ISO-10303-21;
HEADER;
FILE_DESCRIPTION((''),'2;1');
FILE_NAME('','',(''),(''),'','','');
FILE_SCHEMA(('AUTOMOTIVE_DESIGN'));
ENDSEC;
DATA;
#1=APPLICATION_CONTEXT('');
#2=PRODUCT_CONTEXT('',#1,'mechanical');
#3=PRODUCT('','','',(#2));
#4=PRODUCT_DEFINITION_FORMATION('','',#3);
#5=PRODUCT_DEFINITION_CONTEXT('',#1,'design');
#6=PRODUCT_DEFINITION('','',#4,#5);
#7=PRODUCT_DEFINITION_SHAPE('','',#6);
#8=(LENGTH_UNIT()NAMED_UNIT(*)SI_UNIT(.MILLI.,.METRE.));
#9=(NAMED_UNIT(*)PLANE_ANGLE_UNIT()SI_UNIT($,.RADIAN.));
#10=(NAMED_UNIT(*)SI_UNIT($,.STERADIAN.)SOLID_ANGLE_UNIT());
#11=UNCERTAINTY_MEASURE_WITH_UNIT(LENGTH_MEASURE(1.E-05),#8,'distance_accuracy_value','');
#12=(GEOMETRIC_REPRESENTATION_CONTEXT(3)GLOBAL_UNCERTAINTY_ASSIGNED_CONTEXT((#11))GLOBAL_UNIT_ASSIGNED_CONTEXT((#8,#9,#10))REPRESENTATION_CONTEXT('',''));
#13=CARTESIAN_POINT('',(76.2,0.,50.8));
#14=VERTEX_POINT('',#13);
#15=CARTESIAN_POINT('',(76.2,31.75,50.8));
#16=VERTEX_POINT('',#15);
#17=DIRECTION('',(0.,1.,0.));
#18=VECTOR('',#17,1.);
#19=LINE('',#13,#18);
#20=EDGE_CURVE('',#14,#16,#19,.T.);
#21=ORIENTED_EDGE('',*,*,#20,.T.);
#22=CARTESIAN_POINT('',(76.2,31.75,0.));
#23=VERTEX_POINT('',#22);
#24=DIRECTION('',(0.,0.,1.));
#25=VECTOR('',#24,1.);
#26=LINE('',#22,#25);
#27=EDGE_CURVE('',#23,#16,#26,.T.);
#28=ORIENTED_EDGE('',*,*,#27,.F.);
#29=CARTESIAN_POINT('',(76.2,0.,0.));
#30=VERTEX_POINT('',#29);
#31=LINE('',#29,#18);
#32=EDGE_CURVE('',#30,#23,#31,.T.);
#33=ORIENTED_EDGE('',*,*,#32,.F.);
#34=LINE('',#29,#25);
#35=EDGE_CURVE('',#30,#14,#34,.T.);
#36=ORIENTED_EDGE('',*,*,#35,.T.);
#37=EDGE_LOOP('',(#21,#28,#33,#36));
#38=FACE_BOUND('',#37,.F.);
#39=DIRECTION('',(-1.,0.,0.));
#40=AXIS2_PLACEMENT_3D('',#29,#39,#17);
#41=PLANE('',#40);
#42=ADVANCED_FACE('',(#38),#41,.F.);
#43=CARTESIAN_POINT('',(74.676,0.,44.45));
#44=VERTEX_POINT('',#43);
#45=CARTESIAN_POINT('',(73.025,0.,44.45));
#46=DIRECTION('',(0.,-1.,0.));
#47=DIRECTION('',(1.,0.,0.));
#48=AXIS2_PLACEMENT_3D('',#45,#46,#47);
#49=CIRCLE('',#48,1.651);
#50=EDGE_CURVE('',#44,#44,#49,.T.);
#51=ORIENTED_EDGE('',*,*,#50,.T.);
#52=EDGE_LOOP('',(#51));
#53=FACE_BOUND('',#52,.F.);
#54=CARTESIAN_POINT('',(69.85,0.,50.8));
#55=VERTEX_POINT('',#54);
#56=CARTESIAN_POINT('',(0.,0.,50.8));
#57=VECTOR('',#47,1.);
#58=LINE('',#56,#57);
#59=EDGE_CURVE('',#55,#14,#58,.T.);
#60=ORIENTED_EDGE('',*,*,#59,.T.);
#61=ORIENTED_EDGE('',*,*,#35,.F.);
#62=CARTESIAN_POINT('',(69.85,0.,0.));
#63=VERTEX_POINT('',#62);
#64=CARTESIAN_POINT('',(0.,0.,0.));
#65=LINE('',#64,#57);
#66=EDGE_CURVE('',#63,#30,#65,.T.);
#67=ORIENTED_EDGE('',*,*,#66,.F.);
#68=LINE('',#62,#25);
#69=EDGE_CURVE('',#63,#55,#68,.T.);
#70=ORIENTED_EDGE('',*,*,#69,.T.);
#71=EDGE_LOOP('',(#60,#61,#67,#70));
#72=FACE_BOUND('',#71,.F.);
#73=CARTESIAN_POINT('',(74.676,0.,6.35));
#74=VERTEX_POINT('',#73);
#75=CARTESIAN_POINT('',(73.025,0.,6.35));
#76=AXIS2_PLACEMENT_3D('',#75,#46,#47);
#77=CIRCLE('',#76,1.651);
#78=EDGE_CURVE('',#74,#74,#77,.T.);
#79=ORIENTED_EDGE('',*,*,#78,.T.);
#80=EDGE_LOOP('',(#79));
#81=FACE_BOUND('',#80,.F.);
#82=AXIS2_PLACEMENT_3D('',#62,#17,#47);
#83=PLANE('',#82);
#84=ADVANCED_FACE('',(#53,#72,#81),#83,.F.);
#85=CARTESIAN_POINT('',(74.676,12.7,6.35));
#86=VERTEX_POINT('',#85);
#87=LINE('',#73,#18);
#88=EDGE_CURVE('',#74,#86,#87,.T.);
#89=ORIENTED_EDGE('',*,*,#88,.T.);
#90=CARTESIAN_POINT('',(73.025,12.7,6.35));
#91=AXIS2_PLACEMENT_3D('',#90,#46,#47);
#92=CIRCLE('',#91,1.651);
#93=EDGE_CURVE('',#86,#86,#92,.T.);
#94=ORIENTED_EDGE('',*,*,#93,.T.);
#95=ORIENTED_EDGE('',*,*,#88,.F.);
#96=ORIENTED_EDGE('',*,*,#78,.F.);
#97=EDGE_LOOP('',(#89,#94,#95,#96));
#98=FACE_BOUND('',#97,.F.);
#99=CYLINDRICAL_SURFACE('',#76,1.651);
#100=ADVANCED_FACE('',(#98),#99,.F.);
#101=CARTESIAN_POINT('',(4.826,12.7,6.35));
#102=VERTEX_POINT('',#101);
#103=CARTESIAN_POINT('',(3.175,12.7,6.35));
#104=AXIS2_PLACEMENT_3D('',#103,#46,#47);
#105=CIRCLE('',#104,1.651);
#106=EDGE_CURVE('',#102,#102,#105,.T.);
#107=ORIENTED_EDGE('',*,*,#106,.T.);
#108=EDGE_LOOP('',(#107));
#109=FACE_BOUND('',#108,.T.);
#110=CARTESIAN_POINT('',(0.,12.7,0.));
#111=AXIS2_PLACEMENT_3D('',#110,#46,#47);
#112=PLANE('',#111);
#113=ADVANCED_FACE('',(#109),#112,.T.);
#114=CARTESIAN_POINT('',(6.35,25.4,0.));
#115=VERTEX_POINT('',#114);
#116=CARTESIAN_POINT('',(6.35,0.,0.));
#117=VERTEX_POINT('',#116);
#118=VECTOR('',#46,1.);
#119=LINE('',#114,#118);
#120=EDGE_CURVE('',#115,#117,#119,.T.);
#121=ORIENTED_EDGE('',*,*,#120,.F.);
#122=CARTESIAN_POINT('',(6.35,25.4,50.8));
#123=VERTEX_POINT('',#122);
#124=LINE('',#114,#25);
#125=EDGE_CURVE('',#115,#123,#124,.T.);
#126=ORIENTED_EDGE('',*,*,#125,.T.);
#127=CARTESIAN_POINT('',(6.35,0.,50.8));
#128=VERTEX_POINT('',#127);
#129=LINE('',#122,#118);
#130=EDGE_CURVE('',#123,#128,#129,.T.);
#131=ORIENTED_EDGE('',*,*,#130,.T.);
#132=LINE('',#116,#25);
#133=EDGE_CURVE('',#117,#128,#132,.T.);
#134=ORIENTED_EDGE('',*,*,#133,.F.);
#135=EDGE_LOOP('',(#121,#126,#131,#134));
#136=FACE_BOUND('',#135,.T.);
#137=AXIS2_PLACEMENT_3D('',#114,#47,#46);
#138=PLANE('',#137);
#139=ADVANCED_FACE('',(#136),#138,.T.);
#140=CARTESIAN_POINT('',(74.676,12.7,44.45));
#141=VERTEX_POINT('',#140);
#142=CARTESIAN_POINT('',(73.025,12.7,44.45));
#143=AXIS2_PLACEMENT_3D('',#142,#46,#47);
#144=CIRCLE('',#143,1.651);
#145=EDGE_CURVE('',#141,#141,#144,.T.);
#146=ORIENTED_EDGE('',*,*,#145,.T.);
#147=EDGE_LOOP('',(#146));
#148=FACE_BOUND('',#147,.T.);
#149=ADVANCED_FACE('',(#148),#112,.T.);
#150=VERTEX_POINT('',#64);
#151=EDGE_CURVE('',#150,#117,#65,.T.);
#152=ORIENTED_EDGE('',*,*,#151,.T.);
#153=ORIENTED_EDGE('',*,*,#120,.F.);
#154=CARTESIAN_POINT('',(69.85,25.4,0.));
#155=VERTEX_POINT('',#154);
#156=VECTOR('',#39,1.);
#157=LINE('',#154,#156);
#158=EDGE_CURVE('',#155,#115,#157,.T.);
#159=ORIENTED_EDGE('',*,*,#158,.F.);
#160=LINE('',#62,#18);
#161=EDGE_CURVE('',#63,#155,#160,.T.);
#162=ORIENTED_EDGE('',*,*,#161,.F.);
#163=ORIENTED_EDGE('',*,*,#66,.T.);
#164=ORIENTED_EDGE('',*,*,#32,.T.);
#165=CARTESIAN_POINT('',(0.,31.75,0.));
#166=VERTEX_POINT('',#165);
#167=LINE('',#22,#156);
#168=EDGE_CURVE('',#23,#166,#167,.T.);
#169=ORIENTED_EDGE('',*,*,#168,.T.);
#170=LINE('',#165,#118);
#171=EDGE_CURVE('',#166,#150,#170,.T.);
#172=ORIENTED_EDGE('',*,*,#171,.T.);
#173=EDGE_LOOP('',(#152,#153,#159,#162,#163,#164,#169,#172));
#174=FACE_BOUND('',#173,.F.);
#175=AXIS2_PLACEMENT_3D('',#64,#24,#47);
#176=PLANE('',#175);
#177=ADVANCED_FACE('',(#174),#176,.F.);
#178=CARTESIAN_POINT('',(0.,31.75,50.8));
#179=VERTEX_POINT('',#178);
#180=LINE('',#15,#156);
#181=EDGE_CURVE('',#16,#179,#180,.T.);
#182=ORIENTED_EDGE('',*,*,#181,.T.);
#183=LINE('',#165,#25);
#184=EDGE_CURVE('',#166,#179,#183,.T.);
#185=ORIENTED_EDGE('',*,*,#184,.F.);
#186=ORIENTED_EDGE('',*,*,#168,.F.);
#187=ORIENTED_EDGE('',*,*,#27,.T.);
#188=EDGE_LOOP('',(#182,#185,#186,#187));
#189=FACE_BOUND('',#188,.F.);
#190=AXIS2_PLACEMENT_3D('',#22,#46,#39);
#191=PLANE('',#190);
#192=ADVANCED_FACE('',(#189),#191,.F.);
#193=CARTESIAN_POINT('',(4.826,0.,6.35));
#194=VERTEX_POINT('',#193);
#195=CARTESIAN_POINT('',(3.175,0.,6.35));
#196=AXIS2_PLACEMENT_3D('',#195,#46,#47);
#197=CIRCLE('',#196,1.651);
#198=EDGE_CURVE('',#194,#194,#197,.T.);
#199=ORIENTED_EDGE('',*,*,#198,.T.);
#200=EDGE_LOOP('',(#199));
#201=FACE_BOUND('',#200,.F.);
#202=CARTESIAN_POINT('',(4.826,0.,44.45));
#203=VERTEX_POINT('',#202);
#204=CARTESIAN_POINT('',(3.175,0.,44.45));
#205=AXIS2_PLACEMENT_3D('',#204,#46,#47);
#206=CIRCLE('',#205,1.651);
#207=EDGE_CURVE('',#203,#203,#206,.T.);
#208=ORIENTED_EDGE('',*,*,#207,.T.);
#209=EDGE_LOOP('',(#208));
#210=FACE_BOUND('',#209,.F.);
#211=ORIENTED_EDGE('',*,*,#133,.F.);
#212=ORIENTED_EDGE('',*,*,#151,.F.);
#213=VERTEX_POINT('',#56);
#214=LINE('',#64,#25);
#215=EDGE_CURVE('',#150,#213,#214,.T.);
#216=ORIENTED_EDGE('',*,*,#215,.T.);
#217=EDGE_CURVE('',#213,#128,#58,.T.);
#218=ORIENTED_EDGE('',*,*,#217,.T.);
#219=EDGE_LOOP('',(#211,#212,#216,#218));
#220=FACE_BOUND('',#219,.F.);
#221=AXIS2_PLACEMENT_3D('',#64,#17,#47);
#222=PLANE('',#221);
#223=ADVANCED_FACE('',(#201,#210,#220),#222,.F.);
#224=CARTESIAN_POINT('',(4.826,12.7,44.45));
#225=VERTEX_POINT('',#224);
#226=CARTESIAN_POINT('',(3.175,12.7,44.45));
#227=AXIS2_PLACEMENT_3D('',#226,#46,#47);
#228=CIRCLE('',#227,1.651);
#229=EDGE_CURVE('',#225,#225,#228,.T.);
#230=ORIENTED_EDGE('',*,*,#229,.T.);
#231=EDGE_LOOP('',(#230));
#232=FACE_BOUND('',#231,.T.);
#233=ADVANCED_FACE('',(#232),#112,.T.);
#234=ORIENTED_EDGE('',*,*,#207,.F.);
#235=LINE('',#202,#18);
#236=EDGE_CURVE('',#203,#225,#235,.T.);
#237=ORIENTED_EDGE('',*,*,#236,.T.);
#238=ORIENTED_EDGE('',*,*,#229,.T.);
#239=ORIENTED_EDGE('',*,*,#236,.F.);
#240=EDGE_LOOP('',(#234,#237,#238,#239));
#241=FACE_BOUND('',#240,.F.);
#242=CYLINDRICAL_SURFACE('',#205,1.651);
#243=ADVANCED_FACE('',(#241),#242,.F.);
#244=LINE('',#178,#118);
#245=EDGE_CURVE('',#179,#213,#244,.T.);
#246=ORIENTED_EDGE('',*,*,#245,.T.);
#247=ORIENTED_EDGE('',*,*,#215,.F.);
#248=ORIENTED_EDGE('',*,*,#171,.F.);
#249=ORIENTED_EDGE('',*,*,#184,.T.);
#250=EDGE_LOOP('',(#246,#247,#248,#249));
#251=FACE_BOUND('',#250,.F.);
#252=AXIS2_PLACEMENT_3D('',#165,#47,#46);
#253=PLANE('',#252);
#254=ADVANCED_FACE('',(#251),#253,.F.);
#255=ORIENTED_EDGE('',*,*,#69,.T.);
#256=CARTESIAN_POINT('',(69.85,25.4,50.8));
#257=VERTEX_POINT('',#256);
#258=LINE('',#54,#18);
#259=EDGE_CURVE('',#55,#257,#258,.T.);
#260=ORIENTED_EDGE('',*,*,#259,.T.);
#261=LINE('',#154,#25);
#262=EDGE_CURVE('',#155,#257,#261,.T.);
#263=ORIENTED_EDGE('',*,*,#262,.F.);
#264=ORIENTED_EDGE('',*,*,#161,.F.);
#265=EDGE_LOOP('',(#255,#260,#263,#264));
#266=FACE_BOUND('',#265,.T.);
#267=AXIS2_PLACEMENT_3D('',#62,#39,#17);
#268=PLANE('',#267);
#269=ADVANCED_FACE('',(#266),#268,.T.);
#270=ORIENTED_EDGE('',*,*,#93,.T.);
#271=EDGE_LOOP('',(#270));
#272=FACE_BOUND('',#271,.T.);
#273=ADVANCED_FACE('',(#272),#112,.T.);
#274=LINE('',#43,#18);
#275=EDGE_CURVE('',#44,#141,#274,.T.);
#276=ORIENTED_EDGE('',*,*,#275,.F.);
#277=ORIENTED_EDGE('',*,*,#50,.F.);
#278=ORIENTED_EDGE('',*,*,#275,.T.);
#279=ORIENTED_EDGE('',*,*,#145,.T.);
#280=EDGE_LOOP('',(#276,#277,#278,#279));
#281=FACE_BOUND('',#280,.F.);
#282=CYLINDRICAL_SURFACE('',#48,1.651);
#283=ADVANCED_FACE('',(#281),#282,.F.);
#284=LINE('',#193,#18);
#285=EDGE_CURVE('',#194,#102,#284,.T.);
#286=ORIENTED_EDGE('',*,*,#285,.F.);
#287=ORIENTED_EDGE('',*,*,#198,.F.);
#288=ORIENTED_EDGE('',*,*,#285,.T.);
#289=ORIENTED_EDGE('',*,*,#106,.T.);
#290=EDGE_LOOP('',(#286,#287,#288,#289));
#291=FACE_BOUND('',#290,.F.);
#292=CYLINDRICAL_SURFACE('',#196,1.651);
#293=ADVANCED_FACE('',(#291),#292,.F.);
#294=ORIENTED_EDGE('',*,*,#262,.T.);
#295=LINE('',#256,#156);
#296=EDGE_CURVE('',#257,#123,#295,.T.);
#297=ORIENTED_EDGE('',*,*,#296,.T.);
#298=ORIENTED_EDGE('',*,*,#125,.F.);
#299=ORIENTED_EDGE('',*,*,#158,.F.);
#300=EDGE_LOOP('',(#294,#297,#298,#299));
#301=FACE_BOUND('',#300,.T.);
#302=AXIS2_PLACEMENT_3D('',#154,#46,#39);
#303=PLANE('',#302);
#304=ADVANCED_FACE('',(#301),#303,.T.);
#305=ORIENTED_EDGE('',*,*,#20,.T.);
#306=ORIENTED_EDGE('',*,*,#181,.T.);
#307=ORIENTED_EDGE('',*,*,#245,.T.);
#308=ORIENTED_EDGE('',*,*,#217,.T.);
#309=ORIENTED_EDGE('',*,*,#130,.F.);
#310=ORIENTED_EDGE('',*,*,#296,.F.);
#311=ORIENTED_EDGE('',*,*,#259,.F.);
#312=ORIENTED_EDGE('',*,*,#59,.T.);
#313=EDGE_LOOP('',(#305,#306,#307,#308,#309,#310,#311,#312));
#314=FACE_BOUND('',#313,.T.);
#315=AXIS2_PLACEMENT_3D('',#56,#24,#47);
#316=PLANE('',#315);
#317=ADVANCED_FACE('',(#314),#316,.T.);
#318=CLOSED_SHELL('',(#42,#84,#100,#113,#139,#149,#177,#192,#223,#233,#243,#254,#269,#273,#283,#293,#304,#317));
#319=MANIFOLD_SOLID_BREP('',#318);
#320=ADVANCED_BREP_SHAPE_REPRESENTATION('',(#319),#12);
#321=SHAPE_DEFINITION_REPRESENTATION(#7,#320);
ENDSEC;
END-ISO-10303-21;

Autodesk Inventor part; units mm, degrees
ref_plane "YZ Plane" through (0, 0, 0) normal (1, 0, 0) x (0, 1, 0)
ref_plane "XZ Plane" through (0, 0, 0) normal (0, 1, 0) x (-1, 0, 0)
ref_plane "XY Plane" through (0, 0, 0) normal (0, 0, 1) x (1, 0, 0)
sketch "Sketch1" plane through (0, 0, 0) normal (0, 0, 1) x (1, 0, 0)
  line L0 (0, 0) -> (76.2, 0)
  line L1 (76.2, 0) -> (76.2, 31.75)
  line L2 (76.2, 31.75) -> (0, 31.75)
  line L3 (0, 31.75) -> (0, 0)
  line L4 (6.35, 0) -> (69.85, 0)
  line L5 (69.85, 0) -> (69.85, 25.4)
  line L6 (69.85, 25.4) -> (6.35, 25.4)
  line L7 (6.35, 25.4) -> (6.35, 0)
  dimension "d0" = 6.35
  dimension "d1" = 6.35
  dimension "d2" = 6.35
  dimension "d3" = 63.5
  dimension "d4" = 31.75
extrude "Extrusion1" add sketch "Sketch1" along normal blind 50.8 contours L3 L2 L1 L0 L5 L6 L7
sketch "Sketch2" plane through (0, 0, 0) normal (0, -1, 0) x (1, 0, 0)
  point P0 (0, 0)
ref_plane "Work Plane1" through (0, 0, 25.4) normal (0, 0, 1) x (1, 0, 0)
ref_plane "Work Plane2" through (38.1, 0, 0) normal (-1, 0, 0) x (0, 0, 1)
sketch "Sketch3" plane through (0, 0, 0) normal (0, -1, 0) x (1, 0, 0)
  circle A0 centre (3.175, 44.45) radius 1.651
  line L0 (0, 50.8) -> (6.35, 50.8) projected
  line L1 (6.35, 0) -> (6.35, 50.8) projected
  line L2 (0, 25.4) -> (76.2, 25.4)
  line L3 (76.2, 0) -> (76.2, 50.8) projected
  circle A1 centre (3.175, 6.35) radius 1.651
  line L4 (38.1, 50.8) -> (38.1, 0)
  circle A2 centre (73.025, 6.35) radius 1.651
  circle A3 centre (73.025, 44.45) radius 1.651
  point P0 (0, 0)
  dimension "d7" = 3.302
  dimension "d8" = 6.35
  dimension "d9" = 3.175
extrude "Extrusion2" cut sketch "Sketch3" against normal blind 12.7
properties part number "wirebridge2"
